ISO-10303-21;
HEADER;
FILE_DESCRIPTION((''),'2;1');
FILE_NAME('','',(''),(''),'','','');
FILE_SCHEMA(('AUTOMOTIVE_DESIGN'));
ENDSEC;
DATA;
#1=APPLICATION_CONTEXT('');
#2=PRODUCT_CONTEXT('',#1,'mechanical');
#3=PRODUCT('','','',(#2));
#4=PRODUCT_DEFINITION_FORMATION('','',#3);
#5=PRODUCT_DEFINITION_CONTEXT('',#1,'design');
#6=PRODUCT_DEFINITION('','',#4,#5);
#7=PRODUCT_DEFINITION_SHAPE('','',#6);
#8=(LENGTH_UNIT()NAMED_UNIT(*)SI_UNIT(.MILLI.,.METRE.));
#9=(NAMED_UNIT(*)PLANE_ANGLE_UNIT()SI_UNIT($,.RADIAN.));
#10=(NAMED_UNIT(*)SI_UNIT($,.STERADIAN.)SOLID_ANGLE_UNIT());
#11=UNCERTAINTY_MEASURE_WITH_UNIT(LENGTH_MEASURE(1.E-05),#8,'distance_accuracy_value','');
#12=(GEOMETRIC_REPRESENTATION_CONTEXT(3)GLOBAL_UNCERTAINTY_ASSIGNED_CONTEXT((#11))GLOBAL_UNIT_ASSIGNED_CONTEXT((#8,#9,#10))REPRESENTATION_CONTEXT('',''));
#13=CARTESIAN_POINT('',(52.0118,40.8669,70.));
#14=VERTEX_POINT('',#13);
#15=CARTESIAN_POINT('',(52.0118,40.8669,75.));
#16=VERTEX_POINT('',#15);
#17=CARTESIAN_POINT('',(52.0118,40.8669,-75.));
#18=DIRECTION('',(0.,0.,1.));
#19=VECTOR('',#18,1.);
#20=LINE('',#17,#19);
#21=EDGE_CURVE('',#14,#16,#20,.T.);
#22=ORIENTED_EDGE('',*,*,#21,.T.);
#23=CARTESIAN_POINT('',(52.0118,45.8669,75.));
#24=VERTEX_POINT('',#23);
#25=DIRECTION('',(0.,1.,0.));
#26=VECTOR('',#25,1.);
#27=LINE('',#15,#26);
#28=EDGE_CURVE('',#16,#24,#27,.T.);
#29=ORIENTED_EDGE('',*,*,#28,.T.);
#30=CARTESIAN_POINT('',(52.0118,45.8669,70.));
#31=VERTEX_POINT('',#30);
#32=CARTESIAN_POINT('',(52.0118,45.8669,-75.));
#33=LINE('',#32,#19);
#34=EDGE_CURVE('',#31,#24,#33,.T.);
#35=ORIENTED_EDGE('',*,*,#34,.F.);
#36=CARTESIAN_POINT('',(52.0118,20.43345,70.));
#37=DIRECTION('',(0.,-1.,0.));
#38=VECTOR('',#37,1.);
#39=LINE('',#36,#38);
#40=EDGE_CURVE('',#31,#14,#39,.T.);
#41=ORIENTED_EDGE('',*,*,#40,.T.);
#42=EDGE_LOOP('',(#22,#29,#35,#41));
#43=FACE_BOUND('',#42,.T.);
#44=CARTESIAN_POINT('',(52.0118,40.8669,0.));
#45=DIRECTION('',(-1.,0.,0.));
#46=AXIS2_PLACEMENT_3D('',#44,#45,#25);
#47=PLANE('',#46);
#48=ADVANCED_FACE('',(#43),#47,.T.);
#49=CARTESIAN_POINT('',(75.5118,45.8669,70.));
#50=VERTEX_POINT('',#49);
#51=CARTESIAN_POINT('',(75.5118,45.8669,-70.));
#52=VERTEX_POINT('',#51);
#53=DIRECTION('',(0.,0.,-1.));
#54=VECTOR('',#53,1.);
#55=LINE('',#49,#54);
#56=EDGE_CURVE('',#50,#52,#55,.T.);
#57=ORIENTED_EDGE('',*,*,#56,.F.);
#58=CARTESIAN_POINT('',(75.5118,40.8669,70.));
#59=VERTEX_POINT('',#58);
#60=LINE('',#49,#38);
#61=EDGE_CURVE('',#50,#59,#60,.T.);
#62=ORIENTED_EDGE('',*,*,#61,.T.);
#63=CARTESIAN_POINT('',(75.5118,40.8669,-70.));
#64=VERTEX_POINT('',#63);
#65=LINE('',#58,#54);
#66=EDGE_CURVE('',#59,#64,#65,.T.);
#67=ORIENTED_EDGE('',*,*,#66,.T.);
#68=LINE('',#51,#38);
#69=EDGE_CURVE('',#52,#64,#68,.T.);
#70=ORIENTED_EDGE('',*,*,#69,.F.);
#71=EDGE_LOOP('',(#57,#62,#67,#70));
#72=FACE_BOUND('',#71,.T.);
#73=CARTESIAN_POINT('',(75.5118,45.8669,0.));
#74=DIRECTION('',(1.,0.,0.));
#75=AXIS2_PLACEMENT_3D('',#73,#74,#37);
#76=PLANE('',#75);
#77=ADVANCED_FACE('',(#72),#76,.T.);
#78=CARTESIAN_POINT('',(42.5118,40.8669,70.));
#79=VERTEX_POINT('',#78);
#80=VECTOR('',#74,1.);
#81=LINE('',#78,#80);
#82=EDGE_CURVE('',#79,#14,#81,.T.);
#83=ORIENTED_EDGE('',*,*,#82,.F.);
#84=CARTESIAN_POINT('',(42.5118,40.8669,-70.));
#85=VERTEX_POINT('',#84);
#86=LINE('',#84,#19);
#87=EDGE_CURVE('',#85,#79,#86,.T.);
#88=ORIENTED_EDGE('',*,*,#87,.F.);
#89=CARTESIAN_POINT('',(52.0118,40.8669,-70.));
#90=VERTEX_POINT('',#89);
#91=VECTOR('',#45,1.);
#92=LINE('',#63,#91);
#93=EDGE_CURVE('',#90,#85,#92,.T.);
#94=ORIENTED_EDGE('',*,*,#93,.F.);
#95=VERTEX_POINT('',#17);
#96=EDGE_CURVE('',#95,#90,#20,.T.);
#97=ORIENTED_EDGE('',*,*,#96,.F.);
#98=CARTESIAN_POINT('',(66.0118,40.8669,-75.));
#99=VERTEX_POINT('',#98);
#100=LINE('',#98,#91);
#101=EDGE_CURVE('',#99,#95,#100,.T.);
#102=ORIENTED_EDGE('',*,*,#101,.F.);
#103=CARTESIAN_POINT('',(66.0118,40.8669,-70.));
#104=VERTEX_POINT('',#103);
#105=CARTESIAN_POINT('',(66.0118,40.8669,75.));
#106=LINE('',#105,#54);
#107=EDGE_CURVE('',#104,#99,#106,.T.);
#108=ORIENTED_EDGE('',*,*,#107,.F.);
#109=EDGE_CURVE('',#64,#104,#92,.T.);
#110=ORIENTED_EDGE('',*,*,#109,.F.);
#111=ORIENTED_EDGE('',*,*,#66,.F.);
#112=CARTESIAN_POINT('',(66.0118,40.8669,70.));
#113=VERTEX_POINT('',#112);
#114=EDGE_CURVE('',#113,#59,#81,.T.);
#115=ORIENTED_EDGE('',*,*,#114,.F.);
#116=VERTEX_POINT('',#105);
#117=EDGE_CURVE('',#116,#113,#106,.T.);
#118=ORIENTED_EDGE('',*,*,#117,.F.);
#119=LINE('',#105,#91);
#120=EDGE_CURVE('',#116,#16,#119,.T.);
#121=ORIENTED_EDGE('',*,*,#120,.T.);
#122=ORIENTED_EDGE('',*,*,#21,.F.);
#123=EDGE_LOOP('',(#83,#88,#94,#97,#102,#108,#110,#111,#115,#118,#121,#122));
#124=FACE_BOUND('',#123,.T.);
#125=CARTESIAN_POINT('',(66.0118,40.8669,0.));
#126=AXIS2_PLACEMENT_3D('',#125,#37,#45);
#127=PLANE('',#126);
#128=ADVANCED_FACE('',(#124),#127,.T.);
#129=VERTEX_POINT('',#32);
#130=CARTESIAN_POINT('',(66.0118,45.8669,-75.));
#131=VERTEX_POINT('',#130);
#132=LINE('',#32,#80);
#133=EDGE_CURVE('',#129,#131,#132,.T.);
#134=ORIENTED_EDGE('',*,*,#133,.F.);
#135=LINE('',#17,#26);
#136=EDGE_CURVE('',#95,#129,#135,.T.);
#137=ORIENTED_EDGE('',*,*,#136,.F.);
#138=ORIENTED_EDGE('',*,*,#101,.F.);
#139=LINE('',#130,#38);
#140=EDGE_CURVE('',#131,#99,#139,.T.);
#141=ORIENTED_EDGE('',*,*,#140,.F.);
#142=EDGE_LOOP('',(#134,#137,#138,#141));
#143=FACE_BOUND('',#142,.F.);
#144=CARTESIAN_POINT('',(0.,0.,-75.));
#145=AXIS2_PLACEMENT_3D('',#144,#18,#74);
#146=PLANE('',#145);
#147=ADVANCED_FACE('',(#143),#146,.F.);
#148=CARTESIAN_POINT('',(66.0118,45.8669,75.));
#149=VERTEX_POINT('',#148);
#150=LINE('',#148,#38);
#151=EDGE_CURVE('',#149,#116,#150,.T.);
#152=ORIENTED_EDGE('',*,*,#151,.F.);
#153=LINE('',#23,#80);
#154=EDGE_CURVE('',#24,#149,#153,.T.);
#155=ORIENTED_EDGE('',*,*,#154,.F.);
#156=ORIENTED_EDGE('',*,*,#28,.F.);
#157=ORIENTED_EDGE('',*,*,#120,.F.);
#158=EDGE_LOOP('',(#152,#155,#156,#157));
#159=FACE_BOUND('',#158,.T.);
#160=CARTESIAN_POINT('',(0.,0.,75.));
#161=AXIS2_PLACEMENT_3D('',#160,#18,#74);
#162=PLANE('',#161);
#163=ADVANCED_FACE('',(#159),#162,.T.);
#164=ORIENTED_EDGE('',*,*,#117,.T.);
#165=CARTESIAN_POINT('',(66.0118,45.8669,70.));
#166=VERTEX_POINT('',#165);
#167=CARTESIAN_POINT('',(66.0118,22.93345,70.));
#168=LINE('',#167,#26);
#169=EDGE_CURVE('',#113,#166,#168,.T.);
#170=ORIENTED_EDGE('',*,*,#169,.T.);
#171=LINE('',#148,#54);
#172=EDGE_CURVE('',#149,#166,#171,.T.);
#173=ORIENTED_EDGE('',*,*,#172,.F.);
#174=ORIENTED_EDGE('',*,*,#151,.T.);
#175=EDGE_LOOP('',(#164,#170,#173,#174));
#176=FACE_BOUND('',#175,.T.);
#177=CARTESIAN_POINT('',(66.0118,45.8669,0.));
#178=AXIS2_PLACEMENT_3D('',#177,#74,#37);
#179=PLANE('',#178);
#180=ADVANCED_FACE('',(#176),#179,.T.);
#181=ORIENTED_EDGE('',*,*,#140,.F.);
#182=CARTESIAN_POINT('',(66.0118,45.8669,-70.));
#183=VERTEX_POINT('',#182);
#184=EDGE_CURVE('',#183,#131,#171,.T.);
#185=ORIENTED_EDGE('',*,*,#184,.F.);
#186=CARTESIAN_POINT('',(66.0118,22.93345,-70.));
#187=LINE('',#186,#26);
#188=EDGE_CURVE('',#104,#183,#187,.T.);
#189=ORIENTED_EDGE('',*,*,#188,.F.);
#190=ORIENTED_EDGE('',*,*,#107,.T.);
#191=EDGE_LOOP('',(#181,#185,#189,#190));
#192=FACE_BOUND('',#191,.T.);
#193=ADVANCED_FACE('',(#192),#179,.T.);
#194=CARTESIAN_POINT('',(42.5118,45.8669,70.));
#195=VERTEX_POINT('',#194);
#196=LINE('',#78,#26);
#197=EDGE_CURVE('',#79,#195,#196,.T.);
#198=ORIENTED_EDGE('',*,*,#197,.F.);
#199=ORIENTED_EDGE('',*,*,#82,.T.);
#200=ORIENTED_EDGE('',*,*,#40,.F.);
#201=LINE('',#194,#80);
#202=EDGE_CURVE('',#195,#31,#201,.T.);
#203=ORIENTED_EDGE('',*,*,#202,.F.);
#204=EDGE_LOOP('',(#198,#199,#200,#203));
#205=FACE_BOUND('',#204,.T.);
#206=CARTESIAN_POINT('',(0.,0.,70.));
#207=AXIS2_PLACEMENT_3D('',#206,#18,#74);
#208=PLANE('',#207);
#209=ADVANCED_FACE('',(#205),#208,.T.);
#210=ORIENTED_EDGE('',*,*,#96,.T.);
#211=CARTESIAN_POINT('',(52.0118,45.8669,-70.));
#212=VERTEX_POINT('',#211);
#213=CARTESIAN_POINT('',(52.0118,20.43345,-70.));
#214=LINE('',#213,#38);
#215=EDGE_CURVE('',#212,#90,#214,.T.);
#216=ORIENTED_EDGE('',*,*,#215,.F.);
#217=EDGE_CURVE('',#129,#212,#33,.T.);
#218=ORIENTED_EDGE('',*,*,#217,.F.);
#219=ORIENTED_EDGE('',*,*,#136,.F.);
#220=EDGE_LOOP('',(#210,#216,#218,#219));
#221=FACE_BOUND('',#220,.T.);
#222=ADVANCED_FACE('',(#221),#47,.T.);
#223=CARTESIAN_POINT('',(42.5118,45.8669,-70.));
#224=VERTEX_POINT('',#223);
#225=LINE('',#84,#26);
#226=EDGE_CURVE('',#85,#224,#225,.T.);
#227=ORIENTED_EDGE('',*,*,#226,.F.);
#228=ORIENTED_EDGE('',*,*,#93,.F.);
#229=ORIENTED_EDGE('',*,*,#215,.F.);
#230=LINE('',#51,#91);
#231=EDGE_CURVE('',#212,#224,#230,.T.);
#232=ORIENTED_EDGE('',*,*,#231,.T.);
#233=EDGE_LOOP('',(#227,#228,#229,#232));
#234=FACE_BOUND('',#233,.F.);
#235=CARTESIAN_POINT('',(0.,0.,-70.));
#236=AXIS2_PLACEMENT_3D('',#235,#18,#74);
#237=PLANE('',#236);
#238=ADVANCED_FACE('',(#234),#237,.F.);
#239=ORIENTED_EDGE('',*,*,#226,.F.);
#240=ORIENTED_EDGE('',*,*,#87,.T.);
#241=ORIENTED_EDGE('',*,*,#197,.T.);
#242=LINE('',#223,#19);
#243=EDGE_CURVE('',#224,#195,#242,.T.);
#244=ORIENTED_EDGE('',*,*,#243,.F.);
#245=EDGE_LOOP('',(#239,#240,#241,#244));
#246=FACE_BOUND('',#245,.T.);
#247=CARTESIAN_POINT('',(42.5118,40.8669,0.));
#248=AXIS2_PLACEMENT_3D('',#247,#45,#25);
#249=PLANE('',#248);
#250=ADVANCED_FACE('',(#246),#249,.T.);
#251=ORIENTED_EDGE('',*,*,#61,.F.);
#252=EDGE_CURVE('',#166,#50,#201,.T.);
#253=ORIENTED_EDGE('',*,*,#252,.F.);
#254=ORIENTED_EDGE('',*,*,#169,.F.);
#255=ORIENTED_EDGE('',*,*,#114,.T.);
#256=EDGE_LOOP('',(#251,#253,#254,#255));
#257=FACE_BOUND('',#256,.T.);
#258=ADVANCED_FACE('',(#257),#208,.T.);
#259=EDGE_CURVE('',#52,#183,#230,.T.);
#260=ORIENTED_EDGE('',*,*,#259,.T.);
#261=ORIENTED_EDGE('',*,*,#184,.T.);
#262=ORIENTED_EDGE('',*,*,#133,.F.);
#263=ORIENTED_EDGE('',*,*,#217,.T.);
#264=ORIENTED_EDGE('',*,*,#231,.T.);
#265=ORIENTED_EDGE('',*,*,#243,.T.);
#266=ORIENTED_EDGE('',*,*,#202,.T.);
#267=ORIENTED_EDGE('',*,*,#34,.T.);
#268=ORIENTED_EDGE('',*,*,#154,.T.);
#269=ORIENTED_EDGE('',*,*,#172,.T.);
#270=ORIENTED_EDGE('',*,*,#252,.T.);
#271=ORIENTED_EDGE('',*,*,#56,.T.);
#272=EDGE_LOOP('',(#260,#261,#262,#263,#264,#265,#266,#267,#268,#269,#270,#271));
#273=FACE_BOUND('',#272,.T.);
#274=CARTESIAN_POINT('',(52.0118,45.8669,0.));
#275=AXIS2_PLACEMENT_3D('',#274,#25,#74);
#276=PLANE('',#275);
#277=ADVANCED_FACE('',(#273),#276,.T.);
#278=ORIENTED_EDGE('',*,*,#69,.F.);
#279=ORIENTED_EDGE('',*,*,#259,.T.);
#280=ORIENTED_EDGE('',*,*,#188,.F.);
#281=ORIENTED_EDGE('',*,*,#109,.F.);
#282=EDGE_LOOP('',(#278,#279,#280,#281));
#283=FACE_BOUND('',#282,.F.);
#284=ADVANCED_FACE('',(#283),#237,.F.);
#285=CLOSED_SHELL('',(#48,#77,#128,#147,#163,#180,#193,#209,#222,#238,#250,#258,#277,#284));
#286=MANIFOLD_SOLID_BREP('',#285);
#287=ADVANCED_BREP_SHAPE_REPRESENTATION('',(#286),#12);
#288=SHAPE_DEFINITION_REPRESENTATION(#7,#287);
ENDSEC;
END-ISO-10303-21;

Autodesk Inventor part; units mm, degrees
ref_plane "YZ Plane" through (0, 0, 0) normal (1, 0, 0) x (0, 1, 0)
ref_plane "XZ Plane" through (0, 0, 0) normal (0, 1, 0) x (-1, 0, 0)
ref_plane "XY Plane" through (0, 0, 0) normal (0, 0, 1) x (1, 0, 0)
sketch "Sketch1" plane through (0, 0, 0) normal (0, 0, 1) x (1, 0, 0)
  line L0 (52.0118, 45.8669) -> (66.0118, 45.8669)
  line L1 (66.0118, 45.8669) -> (66.0118, 40.8669)
  line L2 (66.0118, 40.8669) -> (52.0118, 40.8669)
  line L3 (52.0118, 40.8669) -> (52.0118, 45.8669)
  line L4 (42.5118, 45.8669) -> (75.5118, 45.8669)
  line L5 (75.5118, 45.8669) -> (75.5118, 40.8669)
  line L6 (75.5118, 40.8669) -> (42.5118, 40.8669)
  line L7 (42.5118, 40.8669) -> (42.5118, 45.8669)
  point P0 (0, 0)
  point P1 (42.5118, 43.3669)
  point P2 (52.0118, 43.3669)
  dimension "d0" = 14
  dimension "d1" = 5
  dimension "d2" = 33
  dimension "d3" = 9.5
extrude "Extrusion1" add sketch "Sketch1" along normal mid plane 140
extrude "Extrusion2" add sketch "Sketch1" along normal mid plane 150 contours L0 L1 L2 L3
equation "\"d3\" = -0.5 * d0 + 0.5 * d2"
